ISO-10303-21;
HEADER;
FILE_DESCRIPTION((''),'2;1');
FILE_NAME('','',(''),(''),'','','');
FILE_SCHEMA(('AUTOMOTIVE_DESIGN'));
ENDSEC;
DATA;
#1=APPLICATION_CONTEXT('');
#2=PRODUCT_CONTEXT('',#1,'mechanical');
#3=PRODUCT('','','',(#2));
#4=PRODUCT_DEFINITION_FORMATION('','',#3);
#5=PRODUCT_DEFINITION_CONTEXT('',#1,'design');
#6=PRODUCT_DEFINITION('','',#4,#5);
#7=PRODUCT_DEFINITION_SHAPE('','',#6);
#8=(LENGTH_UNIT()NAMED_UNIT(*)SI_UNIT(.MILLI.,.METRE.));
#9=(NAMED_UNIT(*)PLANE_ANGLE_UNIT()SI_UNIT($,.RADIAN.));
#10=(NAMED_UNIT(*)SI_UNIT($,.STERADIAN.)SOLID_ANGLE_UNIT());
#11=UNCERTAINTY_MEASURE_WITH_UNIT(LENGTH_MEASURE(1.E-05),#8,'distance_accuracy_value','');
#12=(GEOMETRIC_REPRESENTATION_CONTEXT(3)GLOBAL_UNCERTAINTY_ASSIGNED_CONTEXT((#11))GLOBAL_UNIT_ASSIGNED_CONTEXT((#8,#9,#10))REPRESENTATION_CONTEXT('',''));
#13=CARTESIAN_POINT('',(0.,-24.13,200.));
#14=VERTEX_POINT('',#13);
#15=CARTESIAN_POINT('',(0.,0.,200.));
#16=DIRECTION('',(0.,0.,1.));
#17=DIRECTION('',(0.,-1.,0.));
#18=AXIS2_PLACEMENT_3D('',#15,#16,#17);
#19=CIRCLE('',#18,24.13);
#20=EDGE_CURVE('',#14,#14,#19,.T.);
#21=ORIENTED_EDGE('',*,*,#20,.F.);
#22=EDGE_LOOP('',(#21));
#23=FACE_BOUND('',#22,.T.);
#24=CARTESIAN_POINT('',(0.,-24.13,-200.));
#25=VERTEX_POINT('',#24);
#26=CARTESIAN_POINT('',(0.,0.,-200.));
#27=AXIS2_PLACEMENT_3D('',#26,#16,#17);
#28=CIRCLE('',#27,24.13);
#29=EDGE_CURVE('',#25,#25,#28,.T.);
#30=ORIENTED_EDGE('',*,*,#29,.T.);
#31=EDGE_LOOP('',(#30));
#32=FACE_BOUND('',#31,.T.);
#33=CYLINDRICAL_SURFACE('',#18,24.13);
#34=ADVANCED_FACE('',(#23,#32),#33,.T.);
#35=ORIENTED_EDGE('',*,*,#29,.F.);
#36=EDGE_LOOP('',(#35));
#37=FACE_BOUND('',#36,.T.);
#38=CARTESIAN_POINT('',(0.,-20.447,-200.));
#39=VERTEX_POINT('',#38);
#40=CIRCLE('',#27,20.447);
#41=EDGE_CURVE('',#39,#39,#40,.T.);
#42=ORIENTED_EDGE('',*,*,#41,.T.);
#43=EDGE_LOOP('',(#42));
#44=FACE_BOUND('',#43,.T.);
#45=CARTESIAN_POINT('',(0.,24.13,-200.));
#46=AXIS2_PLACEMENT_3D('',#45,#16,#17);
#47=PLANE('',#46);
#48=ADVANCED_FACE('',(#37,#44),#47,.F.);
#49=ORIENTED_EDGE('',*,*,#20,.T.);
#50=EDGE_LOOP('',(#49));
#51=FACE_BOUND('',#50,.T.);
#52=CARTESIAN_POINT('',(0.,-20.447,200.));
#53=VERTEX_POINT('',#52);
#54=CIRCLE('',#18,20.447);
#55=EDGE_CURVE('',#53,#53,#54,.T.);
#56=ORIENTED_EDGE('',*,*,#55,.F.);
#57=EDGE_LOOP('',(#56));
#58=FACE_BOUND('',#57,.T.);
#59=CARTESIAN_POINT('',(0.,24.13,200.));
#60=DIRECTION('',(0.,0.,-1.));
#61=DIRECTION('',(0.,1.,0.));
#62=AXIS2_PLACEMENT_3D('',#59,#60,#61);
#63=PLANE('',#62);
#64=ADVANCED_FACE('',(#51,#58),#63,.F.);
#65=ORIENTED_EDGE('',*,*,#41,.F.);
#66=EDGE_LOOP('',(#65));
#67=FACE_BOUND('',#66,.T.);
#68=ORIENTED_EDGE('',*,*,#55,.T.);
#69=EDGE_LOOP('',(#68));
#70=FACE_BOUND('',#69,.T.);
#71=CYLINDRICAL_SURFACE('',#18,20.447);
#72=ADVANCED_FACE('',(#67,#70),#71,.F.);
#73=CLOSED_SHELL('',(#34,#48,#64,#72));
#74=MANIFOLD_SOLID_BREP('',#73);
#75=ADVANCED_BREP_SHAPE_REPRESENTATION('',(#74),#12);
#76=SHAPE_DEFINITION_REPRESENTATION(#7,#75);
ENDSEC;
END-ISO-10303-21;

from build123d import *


with BuildPart() as part:
    # Croquis2 → Revolución1 (revolve)
    with BuildSketch(Plane(origin=(0, 0, 0), x_dir=(0, 0, -1), z_dir=(1, 0, 0)), mode=Mode.PRIVATE) as revoluci_n1_sk:
        Polygon((-200, 24.13), (-200, 20.447), (50, 20.447), (200, 20.447), (200, 24.13), align=None)
    revolve(revoluci_n1_sk.sketch.rotate(Axis((0, 0, 200), (0, 0, -1)), 180), axis=Axis((0, 0, 200), (0, 0, -1)))


solid = part.part
